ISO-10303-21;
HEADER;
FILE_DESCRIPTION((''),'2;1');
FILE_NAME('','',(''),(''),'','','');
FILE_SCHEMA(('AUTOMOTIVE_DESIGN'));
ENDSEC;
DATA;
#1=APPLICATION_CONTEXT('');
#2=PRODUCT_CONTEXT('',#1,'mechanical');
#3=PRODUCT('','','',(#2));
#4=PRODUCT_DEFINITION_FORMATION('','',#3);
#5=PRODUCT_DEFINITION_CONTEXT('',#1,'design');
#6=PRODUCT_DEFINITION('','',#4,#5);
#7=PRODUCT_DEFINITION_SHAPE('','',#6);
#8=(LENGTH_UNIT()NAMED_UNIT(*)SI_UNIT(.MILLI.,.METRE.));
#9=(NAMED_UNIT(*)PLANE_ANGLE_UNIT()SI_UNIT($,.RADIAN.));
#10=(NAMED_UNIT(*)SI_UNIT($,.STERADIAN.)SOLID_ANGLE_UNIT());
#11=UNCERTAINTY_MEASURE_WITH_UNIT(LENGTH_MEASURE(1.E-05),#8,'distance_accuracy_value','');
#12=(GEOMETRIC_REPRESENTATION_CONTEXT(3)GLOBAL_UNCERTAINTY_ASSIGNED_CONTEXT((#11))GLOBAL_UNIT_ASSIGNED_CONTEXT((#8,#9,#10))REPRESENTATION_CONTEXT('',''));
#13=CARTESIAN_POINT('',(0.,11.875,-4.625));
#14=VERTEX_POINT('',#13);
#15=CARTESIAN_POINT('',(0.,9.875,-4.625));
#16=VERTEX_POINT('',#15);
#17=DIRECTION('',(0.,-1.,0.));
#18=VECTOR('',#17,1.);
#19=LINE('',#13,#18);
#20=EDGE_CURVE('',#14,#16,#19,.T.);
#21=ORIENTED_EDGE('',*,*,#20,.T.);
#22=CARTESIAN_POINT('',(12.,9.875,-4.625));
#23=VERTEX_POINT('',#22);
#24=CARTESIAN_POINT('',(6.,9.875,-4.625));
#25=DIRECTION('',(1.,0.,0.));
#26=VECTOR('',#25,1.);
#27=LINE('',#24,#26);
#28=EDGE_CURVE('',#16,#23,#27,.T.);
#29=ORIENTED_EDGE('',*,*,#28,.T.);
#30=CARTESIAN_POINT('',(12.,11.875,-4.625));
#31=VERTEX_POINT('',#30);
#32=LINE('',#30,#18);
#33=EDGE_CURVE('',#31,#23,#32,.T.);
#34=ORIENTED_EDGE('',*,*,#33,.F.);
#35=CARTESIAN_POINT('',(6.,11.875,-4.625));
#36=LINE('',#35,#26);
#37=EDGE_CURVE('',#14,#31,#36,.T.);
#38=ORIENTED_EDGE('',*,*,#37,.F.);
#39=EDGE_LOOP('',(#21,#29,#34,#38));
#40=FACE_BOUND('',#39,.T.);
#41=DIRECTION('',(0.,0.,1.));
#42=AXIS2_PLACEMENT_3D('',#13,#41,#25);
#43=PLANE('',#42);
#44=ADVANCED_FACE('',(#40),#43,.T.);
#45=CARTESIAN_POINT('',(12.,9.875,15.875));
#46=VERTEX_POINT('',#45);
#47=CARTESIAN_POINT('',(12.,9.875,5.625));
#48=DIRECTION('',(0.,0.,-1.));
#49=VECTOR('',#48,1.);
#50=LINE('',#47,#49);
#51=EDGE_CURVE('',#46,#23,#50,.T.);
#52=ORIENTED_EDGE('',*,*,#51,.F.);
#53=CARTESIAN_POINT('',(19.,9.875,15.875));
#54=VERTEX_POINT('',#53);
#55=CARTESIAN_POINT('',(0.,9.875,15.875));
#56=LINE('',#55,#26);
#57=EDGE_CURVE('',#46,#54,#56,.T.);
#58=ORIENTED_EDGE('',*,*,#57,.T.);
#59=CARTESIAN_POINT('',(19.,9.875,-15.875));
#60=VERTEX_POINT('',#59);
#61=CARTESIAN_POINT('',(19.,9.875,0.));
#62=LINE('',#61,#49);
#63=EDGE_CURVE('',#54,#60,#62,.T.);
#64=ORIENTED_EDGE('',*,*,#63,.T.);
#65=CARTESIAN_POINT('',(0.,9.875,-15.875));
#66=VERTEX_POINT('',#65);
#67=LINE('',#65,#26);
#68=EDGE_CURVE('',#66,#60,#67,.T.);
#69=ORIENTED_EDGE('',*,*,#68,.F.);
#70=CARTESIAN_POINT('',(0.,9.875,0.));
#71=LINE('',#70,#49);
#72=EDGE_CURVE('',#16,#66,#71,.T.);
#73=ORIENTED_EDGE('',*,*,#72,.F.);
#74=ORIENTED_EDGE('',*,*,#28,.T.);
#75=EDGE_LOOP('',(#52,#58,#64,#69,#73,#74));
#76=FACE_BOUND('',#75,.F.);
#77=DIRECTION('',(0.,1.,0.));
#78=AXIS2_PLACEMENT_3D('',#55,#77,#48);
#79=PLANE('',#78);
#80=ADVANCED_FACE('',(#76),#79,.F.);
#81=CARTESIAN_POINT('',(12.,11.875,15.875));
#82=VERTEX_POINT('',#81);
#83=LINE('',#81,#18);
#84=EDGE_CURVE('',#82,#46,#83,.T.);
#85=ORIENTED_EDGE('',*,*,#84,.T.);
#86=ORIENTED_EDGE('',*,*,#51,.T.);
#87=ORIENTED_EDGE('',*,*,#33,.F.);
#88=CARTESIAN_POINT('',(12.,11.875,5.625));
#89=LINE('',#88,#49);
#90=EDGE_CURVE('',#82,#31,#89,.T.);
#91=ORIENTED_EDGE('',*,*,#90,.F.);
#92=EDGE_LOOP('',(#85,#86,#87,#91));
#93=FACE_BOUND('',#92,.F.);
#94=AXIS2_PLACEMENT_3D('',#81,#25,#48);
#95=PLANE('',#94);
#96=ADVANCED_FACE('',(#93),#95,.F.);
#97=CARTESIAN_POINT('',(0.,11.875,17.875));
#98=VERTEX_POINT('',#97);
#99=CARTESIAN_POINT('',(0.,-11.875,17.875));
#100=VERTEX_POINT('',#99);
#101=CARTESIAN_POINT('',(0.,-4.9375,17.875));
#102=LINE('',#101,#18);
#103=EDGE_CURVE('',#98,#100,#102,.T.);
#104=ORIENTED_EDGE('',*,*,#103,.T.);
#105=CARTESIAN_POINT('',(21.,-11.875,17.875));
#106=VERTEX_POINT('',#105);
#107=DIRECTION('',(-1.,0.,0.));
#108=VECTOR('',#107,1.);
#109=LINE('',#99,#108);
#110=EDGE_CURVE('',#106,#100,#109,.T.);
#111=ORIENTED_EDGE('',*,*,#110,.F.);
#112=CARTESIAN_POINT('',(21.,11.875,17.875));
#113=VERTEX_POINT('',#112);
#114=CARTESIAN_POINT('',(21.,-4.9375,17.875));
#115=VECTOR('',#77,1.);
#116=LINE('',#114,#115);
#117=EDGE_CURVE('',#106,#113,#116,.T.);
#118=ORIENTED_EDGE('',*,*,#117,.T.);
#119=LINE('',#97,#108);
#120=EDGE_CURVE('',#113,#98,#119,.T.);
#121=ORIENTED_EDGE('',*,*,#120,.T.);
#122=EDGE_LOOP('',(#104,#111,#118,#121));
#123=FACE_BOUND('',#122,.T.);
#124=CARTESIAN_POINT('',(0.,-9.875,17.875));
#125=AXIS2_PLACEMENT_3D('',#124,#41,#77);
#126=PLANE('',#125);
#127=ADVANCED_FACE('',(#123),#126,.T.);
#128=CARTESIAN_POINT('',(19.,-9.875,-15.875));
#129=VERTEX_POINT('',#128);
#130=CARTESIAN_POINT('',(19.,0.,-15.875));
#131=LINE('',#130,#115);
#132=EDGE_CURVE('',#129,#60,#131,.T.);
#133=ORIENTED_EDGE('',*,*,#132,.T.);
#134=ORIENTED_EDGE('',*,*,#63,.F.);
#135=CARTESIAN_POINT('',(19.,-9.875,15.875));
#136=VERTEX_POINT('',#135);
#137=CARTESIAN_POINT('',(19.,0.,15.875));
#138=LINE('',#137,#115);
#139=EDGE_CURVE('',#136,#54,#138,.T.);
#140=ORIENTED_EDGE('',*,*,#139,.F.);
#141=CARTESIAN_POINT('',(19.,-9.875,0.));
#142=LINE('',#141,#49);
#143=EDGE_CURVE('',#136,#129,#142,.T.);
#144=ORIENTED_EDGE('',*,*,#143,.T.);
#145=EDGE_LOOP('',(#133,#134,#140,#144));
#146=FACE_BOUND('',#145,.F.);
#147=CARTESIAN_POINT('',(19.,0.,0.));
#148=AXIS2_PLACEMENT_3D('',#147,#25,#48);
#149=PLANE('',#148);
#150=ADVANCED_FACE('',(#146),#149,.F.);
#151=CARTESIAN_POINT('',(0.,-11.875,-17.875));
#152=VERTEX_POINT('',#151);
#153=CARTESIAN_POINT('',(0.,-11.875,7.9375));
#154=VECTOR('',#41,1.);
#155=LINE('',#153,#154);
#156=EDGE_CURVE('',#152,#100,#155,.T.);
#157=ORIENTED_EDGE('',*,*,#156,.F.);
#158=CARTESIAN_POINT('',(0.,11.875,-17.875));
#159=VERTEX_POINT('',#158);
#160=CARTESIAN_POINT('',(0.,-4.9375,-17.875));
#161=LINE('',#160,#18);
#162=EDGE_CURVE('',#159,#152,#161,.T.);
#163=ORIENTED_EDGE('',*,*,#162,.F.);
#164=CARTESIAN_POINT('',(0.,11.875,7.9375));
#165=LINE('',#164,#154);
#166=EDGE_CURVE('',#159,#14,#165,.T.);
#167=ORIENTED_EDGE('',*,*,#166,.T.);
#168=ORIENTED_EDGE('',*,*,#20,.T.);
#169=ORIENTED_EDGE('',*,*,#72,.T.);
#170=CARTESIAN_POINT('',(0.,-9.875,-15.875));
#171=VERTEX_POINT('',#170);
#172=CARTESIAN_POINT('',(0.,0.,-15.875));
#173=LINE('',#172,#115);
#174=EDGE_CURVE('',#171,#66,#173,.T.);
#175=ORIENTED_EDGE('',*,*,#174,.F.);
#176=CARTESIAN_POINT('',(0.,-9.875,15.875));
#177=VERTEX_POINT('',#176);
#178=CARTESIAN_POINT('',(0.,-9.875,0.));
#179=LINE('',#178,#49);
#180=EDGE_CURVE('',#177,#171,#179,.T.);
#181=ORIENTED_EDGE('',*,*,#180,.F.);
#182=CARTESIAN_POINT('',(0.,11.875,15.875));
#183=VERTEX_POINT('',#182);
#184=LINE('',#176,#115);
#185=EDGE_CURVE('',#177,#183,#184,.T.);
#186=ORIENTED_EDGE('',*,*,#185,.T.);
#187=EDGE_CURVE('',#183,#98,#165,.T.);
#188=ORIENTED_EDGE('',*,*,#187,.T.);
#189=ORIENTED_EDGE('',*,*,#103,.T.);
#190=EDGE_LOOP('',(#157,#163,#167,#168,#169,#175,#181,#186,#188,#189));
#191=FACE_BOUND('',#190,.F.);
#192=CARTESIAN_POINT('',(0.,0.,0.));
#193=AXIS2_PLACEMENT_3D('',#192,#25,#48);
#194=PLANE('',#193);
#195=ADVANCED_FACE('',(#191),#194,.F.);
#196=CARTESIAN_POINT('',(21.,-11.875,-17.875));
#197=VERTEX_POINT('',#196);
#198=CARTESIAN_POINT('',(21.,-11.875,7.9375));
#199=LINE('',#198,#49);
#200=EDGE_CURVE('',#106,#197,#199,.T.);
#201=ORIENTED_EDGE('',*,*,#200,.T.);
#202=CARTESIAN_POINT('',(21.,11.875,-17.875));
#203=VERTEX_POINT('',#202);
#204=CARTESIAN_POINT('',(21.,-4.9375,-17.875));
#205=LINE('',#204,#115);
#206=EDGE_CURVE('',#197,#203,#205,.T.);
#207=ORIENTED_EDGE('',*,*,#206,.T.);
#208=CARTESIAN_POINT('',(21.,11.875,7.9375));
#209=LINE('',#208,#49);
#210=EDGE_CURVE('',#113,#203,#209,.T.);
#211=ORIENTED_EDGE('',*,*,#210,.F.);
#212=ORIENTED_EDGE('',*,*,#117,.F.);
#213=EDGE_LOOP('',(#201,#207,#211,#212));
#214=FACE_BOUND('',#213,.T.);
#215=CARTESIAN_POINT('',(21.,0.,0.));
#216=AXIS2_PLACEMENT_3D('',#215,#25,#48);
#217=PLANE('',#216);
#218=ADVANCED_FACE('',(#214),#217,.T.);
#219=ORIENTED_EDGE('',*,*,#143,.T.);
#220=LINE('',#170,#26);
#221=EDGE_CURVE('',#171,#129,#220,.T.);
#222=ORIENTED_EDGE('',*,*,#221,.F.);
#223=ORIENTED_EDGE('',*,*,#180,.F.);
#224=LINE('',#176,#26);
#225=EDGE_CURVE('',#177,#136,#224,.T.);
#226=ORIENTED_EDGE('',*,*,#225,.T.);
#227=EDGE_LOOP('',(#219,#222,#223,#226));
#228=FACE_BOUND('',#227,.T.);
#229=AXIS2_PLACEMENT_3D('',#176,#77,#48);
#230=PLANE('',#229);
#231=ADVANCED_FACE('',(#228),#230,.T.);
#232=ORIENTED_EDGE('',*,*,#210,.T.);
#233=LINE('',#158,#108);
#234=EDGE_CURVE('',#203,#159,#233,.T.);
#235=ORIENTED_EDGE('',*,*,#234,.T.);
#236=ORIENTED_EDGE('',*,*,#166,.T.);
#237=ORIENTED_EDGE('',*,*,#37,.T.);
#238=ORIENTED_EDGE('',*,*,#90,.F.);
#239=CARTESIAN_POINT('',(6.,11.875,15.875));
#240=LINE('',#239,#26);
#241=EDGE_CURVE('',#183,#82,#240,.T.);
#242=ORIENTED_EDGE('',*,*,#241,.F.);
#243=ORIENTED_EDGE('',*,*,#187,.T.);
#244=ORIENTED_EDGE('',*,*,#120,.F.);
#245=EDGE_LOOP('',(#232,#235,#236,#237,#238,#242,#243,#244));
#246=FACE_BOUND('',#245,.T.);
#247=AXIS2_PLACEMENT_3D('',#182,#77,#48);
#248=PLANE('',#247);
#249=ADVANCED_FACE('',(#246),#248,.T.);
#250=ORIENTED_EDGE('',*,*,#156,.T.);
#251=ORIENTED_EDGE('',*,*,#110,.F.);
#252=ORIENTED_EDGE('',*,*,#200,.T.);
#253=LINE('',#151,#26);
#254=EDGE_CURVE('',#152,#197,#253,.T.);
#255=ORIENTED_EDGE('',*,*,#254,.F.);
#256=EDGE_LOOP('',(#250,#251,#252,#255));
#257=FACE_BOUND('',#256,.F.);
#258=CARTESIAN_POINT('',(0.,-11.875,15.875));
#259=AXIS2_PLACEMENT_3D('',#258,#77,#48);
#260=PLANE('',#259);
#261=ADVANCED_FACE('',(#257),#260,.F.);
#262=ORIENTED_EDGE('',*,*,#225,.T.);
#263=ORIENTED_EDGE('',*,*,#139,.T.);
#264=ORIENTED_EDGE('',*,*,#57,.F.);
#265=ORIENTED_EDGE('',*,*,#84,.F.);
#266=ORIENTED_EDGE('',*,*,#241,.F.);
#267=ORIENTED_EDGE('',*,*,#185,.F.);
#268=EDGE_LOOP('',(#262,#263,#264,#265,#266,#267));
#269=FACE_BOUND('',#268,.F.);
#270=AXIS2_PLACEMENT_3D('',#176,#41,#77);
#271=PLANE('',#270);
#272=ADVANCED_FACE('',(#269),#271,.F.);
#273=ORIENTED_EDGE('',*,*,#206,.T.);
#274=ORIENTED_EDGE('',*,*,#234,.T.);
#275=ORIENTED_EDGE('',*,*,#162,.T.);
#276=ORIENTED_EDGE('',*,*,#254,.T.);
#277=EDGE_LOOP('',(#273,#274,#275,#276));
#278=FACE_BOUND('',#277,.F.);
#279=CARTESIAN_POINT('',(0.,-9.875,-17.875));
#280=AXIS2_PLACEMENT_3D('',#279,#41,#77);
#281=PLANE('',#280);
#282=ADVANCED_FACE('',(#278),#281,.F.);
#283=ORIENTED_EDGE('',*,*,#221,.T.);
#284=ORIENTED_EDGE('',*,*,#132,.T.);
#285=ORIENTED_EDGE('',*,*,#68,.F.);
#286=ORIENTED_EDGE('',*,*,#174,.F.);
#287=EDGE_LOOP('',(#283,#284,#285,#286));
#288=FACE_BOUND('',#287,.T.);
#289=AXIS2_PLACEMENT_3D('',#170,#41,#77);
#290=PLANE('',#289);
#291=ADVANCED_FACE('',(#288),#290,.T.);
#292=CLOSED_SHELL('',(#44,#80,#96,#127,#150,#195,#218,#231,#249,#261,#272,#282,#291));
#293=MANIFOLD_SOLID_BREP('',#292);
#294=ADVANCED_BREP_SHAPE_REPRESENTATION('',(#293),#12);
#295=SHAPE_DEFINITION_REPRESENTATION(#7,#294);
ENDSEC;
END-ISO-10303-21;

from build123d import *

# Parameters (mm, degrees)
SKETCH4_W           = 31.75
SKETCH4_H           = 19.75
BOSS_EXTRUDE1_DEPTH = 19
SHELL1_T            = 2
SKETCH5_W           = 12
SKETCH5_H           = 20.5
CUT_EXTRUDE1_DEPTH  = 2


with BuildPart() as part:
    # Sketch4 → Boss-Extrude1 (new body)
    with BuildSketch(Plane(origin=(0, 0, 0), x_dir=(0, 0, -1), z_dir=(1, 0, 0))):
        Rectangle(SKETCH4_W, SKETCH4_H)
    extrude(amount=BOSS_EXTRUDE1_DEPTH)

    # Shell1
    shell1_openings = [part.faces().sort_by_distance(p)[0] for p in [
        (0, 0, 0),
    ]]
    offset(amount=SHELL1_T, openings=shell1_openings, kind=Kind.INTERSECTION)

    # Sketch5 → Cut-Extrude1 (cut)
    with BuildSketch(Plane(origin=(0, 11.875, 0), x_dir=(1, 0, 0), z_dir=(0, 1, 0))):
        with Locations((6, -5.625)):
            Rectangle(SKETCH5_W, SKETCH5_H)
    extrude(amount=-CUT_EXTRUDE1_DEPTH, mode=Mode.SUBTRACT)


solid = part.part
